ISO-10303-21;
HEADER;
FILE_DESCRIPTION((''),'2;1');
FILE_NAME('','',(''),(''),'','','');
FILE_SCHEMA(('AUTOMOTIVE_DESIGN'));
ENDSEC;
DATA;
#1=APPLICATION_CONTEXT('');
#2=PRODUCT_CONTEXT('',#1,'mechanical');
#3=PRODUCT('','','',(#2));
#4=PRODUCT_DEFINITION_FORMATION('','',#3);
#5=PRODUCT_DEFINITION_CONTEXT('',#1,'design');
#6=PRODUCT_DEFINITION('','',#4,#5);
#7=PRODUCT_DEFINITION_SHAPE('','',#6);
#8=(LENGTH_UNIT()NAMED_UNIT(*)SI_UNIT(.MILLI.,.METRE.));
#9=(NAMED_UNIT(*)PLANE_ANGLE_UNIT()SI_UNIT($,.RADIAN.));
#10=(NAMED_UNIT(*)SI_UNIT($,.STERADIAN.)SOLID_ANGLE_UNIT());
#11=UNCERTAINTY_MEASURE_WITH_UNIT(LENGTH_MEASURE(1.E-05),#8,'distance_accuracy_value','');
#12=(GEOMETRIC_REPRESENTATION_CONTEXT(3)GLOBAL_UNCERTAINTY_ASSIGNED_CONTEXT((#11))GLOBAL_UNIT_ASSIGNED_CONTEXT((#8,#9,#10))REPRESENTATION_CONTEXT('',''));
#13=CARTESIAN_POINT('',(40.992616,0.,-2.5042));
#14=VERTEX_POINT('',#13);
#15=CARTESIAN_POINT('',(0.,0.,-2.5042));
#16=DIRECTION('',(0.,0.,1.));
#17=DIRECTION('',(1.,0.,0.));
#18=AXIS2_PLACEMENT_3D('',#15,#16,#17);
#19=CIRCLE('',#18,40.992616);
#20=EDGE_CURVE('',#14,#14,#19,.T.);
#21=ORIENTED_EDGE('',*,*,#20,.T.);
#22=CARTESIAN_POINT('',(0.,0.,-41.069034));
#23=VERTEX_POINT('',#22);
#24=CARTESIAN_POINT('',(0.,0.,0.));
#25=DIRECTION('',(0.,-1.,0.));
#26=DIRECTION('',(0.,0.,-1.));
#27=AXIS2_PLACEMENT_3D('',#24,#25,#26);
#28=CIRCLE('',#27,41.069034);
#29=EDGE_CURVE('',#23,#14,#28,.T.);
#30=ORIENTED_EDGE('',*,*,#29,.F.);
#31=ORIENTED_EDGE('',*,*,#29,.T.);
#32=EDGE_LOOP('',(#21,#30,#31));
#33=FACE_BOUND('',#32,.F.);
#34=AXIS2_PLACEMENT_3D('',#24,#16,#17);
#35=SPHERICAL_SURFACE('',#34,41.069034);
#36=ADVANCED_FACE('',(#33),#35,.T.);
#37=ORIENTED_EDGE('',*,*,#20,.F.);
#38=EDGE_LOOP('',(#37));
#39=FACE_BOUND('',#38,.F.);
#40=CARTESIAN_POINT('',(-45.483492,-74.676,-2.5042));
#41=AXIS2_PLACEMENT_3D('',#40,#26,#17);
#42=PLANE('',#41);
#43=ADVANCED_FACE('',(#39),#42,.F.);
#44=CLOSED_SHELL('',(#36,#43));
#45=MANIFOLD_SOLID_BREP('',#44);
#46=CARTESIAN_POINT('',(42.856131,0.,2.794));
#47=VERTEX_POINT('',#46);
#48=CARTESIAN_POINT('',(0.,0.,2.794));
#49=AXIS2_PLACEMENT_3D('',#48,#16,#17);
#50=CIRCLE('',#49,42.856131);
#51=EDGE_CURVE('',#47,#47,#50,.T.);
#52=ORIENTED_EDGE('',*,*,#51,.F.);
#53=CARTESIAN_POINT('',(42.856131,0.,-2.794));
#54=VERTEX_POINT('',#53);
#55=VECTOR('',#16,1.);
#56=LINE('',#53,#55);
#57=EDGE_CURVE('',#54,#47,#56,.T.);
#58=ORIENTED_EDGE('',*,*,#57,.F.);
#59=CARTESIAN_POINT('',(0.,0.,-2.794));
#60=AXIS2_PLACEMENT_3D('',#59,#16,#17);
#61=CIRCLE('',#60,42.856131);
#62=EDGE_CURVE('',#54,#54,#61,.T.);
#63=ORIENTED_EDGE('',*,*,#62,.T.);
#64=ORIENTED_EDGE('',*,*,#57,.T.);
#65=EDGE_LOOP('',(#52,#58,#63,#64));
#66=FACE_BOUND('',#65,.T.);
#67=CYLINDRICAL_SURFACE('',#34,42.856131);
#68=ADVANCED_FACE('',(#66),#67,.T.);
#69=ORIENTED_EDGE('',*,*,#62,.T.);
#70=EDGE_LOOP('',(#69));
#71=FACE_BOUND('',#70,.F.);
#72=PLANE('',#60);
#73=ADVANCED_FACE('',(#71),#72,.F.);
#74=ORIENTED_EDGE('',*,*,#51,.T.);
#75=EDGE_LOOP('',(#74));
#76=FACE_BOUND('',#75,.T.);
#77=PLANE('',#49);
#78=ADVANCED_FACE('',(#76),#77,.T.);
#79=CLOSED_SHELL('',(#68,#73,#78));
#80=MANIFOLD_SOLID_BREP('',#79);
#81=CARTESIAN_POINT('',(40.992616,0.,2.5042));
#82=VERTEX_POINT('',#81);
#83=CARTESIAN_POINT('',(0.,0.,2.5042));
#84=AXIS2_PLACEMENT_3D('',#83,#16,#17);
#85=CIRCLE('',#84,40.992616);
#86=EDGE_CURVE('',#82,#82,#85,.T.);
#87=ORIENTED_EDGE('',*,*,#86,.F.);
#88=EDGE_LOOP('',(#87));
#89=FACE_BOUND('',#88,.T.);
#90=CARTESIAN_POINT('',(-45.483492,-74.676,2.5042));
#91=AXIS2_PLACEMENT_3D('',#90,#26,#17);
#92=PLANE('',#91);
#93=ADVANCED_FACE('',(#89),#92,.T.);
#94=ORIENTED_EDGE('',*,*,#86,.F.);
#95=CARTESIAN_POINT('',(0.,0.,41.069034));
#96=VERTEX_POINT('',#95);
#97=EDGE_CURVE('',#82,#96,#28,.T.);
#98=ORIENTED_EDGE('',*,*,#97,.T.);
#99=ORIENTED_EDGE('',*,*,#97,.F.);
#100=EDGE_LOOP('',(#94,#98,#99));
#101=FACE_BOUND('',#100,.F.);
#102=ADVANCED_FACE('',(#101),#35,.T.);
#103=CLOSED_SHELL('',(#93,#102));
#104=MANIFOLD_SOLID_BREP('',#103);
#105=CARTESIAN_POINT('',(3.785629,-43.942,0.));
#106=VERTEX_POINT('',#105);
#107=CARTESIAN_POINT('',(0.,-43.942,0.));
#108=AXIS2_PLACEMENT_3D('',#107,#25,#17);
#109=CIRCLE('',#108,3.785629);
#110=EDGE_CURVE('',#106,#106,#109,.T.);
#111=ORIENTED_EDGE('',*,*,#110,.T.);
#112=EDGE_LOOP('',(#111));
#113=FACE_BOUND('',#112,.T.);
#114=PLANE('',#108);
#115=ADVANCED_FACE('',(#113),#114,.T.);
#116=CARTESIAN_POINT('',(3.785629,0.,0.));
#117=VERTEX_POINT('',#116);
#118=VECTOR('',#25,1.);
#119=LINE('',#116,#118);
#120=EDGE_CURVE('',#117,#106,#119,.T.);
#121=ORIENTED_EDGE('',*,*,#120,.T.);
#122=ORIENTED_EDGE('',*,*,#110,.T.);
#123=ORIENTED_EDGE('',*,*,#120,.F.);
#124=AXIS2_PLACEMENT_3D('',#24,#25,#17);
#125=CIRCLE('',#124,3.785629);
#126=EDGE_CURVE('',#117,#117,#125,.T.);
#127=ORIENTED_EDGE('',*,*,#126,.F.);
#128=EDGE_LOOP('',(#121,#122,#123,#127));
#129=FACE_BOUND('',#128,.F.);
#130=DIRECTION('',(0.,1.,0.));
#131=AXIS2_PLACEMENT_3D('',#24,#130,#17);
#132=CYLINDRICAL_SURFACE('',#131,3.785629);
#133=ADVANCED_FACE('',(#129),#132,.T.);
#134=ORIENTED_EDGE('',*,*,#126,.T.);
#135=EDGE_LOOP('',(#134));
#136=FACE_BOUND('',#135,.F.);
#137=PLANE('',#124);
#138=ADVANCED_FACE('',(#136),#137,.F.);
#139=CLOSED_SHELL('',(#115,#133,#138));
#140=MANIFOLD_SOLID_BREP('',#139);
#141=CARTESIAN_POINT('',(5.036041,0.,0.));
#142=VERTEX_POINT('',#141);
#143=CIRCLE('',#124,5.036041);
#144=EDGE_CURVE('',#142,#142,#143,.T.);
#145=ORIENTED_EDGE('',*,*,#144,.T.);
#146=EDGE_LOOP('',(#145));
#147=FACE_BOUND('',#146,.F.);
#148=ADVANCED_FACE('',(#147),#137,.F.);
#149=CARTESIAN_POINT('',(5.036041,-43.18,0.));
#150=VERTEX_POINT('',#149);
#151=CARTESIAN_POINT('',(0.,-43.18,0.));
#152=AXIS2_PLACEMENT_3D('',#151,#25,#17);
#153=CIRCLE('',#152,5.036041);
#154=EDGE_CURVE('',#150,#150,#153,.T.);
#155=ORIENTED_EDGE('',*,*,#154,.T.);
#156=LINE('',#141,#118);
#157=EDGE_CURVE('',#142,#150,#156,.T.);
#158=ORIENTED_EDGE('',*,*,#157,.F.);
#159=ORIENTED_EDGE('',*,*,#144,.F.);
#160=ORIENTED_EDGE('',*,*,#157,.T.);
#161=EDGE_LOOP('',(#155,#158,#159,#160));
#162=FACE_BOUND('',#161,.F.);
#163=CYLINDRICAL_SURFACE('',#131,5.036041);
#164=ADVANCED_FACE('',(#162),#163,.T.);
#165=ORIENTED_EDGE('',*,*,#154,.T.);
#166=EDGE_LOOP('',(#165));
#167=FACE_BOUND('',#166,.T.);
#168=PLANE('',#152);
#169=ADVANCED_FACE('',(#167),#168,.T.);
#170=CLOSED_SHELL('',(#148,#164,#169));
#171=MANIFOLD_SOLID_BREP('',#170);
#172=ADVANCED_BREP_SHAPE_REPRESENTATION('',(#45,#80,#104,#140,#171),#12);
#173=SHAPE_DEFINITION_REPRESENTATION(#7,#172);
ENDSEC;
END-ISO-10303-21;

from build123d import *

# Parameters (mm, degrees)
F3_W      = 90.966984
F3_H      = 5.0084
F4_DEPTH  = 191.008
F5_R      = 42.856131
F6_DEPTH  = 2.794
F7_R      = 3.785629
F8_DEPTH  = 43.942
F9_R      = 5.036041
F10_DEPTH = 43.18


with BuildPart() as f1:
    # F0 (on Front) → F1 (revolve)
    with BuildSketch(Plane.XZ):
        with BuildLine():
            Line((0, 41.069034), (0, -41.069034))
            ThreePointArc((0, -41.069034), (41.069034, 0), (0, 41.069034))
        make_face()
    revolve(axis=Axis((0, 0, 0), (0, 0, -1)))

    # F3 (on offset) → F4 (cut)
    with BuildSketch(Plane.XZ.offset(74.676)):
        Rectangle(F3_W, F3_H)
    extrude(amount=-F4_DEPTH, mode=Mode.SUBTRACT)


with BuildPart() as f6:
    # F5 (on Top) → F6 (new body, symmetric)
    with BuildSketch(Plane.XY):
        Circle(F5_R)
    extrude(amount=F6_DEPTH, both=True)


with BuildPart() as f8:
    # F7 (on Front) → F8 (new body)
    with BuildSketch(Plane.XZ):
        Circle(F7_R)
    extrude(amount=F8_DEPTH)


with BuildPart() as f10:
    # F9 (on Front) → F10 (new body)
    with BuildSketch(Plane.XZ):
        Circle(F9_R)
    extrude(amount=F10_DEPTH)


solid = Compound([f1.part, f6.part, f8.part, f10.part])
